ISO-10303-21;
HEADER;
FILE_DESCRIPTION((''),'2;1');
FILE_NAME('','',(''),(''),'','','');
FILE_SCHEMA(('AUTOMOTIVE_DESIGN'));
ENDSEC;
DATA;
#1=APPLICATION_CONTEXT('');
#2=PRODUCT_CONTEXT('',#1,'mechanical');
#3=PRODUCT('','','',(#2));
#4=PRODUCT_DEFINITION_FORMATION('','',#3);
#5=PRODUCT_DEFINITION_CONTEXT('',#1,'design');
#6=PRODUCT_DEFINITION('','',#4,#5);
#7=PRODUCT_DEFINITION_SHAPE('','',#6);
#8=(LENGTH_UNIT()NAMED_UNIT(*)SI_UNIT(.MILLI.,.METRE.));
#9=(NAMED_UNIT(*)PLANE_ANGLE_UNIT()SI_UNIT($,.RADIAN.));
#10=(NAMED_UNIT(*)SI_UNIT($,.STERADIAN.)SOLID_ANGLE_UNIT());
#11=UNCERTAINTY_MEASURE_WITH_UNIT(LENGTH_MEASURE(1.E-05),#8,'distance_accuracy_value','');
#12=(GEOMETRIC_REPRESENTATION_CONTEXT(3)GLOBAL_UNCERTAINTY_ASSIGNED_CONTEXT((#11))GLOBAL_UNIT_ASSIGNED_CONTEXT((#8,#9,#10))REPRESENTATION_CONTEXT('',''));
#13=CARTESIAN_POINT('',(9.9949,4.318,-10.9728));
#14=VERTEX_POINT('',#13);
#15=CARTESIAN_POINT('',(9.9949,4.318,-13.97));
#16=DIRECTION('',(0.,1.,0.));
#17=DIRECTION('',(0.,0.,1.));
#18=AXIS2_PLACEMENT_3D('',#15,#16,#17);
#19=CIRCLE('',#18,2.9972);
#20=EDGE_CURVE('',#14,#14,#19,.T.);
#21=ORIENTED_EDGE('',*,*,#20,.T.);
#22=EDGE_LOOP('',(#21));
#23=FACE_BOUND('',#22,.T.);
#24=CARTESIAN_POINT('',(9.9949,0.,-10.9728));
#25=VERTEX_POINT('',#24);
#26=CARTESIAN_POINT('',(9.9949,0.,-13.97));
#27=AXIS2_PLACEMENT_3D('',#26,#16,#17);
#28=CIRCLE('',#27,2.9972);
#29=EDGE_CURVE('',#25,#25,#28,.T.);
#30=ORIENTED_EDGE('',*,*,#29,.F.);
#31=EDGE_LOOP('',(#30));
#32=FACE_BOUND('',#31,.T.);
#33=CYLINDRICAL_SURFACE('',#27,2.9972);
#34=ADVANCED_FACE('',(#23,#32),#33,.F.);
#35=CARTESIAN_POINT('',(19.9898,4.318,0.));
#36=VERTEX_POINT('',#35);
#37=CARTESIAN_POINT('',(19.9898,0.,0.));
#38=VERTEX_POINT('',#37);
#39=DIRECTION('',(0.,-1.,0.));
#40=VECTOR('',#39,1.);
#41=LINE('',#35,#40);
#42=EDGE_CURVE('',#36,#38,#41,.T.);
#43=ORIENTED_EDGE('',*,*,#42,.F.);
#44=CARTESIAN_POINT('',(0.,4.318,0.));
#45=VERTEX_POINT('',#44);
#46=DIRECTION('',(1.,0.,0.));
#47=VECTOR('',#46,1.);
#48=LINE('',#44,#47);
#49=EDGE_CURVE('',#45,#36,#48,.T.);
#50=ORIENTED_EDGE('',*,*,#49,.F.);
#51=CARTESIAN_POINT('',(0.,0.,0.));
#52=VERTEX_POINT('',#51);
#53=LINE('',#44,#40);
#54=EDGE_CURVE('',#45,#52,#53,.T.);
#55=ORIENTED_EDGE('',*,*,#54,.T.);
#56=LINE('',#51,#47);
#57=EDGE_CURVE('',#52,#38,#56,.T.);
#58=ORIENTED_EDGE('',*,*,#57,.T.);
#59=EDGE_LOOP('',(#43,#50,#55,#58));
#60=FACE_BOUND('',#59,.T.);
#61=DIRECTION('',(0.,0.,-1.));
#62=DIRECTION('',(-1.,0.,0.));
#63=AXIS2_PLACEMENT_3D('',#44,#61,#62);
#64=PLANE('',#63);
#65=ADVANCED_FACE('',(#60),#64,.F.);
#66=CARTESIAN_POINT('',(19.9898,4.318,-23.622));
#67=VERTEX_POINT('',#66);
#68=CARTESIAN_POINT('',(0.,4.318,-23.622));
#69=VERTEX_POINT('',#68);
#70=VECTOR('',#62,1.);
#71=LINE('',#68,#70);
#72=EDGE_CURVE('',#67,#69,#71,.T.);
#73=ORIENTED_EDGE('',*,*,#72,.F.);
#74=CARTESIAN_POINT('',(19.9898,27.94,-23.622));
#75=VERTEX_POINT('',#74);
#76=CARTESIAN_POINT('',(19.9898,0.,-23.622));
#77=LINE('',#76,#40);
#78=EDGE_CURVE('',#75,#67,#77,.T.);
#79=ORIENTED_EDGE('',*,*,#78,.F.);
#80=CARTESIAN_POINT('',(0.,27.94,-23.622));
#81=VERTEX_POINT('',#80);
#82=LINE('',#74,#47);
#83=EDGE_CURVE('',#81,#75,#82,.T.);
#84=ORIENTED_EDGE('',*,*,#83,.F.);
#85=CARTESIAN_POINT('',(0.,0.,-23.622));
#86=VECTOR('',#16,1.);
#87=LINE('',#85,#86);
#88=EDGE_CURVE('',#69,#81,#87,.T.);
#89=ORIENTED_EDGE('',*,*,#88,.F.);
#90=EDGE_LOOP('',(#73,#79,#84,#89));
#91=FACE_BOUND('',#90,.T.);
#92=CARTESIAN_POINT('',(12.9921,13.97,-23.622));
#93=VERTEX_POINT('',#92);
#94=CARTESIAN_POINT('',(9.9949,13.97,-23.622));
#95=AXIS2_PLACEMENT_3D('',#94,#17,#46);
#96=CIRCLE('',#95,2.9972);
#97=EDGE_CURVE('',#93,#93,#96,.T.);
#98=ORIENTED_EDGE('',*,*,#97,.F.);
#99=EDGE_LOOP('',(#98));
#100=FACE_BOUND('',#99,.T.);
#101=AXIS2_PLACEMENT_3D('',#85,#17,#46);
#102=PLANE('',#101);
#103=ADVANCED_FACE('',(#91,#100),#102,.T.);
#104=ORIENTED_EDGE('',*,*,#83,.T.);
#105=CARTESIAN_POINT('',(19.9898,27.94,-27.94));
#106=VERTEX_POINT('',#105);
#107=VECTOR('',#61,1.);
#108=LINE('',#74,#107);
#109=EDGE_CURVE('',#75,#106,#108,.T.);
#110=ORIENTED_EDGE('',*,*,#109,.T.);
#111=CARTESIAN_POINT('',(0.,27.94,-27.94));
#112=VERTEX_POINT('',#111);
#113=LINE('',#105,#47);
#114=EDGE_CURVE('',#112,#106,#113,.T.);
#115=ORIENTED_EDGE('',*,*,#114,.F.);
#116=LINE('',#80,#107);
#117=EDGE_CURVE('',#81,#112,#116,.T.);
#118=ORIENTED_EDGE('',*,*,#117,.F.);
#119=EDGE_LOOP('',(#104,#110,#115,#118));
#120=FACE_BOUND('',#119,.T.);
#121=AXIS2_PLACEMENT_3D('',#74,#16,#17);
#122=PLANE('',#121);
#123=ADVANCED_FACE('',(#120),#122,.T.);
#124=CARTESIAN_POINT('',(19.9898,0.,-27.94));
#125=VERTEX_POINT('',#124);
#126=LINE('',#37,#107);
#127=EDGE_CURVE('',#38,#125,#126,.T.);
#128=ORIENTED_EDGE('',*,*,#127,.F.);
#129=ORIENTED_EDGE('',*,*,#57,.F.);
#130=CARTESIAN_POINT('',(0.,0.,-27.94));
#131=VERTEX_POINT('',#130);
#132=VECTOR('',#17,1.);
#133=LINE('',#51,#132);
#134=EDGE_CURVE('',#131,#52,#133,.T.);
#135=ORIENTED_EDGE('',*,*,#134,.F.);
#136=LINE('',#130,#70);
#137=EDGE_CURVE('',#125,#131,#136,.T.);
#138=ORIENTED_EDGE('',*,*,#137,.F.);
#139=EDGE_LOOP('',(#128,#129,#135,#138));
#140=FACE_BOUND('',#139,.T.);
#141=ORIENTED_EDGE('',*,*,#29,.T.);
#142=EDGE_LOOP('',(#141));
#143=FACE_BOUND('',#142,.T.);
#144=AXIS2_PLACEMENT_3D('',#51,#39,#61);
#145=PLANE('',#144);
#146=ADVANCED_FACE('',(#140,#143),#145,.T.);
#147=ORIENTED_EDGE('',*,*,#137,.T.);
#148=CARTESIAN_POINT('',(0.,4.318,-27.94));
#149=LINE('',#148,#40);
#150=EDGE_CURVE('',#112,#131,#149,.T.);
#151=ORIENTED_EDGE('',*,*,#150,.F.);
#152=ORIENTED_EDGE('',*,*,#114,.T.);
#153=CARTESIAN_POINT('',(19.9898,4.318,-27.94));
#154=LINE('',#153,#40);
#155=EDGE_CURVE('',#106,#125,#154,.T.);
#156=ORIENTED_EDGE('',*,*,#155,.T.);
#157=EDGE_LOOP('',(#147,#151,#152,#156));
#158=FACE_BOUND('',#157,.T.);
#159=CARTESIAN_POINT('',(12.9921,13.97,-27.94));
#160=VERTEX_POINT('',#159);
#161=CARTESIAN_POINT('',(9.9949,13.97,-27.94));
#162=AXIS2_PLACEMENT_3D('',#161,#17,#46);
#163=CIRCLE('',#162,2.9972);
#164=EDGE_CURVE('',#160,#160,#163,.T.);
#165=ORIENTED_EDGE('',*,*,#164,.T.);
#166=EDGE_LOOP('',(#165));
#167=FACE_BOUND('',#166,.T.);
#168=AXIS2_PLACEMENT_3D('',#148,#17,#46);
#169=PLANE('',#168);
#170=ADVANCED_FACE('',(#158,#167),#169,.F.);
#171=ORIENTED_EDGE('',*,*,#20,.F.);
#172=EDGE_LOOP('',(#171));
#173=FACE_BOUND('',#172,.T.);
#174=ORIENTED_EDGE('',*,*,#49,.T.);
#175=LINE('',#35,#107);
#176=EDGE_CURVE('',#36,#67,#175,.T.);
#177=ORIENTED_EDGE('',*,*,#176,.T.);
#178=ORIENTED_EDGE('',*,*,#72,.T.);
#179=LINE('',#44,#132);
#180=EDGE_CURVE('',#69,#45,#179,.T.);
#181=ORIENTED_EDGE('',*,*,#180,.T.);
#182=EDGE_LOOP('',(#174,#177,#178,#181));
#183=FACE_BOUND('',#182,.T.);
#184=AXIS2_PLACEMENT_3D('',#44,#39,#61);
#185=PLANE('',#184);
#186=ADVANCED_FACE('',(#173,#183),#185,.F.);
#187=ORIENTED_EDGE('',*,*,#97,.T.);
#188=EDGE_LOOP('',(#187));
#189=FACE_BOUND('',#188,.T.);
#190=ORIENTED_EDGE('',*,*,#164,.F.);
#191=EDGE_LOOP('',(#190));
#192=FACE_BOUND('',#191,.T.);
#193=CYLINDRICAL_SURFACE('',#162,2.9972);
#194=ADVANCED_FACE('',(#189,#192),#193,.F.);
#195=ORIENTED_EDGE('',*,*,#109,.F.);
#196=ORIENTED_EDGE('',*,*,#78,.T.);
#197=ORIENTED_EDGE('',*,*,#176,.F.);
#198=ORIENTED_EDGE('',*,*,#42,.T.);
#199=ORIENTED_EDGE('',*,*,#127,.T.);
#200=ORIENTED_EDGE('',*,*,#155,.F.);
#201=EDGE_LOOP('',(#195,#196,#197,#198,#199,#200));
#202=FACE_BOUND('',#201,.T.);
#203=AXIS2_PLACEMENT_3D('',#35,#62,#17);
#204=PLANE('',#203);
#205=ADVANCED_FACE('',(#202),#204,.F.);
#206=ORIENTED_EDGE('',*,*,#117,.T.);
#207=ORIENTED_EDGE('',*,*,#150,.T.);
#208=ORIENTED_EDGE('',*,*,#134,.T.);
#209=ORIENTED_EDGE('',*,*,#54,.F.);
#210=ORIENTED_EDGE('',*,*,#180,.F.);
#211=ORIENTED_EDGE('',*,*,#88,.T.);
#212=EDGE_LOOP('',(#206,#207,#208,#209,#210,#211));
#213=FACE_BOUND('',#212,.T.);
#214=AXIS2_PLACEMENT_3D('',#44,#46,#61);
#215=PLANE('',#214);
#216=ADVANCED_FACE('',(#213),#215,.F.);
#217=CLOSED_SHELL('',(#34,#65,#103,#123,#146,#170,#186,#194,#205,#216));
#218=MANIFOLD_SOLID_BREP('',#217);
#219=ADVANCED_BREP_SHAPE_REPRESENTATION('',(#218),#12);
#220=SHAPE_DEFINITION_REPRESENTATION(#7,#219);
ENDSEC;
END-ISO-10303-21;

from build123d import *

# Parameters (mm, degrees)
SKETCH1_W           = 19.9898
SKETCH1_H           = 27.94
BOSS_EXTRUDE1_DEPTH = 4.318
SKETCH2_W           = 19.9898
SKETCH2_H           = 27.94
BOSS_EXTRUDE2_DEPTH = 4.318
SKETCH3_R           = 2.9972
CUT_EXTRUDE3_DEPTH  = 5.318
SKETCH4_R           = 2.9972
CUT_EXTRUDE4_DEPTH  = 5.318


with BuildPart() as part:
    # Sketch1 → Boss-Extrude1 (new body)
    with BuildSketch(Plane(origin=(0, 0, 0), x_dir=(1, 0, 0), z_dir=(0, 1, 0))):
        with Locations((9.9949, 13.97)):
            Rectangle(SKETCH1_W, SKETCH1_H)
    extrude(amount=BOSS_EXTRUDE1_DEPTH)

    # Sketch2 → Boss-Extrude2 (add)
    with BuildSketch(Plane(origin=(0, 0, -27.94), x_dir=(-1, 0, 0), z_dir=(0, 0, -1))):
        with Locations((-9.9949, 13.97)):
            Rectangle(SKETCH2_W, SKETCH2_H)
    extrude(amount=-BOSS_EXTRUDE2_DEPTH)

    # Sketch3 → Cut-Extrude3 (cut, through all)
    with BuildSketch(Plane(origin=(0, 4.318, 0), x_dir=(1, 0, 0), z_dir=(0, 1, 0))):
        with Locations((9.9949, 13.97)):
            Circle(SKETCH3_R)
    extrude(amount=-CUT_EXTRUDE3_DEPTH, mode=Mode.SUBTRACT)

    # Sketch4 → Cut-Extrude4 (cut, through all)
    with BuildSketch(Plane.XY.offset(-23.622)):
        with Locations((9.9949, 13.97)):
            Circle(SKETCH4_R)
    extrude(amount=-CUT_EXTRUDE4_DEPTH, mode=Mode.SUBTRACT)


solid = part.part
